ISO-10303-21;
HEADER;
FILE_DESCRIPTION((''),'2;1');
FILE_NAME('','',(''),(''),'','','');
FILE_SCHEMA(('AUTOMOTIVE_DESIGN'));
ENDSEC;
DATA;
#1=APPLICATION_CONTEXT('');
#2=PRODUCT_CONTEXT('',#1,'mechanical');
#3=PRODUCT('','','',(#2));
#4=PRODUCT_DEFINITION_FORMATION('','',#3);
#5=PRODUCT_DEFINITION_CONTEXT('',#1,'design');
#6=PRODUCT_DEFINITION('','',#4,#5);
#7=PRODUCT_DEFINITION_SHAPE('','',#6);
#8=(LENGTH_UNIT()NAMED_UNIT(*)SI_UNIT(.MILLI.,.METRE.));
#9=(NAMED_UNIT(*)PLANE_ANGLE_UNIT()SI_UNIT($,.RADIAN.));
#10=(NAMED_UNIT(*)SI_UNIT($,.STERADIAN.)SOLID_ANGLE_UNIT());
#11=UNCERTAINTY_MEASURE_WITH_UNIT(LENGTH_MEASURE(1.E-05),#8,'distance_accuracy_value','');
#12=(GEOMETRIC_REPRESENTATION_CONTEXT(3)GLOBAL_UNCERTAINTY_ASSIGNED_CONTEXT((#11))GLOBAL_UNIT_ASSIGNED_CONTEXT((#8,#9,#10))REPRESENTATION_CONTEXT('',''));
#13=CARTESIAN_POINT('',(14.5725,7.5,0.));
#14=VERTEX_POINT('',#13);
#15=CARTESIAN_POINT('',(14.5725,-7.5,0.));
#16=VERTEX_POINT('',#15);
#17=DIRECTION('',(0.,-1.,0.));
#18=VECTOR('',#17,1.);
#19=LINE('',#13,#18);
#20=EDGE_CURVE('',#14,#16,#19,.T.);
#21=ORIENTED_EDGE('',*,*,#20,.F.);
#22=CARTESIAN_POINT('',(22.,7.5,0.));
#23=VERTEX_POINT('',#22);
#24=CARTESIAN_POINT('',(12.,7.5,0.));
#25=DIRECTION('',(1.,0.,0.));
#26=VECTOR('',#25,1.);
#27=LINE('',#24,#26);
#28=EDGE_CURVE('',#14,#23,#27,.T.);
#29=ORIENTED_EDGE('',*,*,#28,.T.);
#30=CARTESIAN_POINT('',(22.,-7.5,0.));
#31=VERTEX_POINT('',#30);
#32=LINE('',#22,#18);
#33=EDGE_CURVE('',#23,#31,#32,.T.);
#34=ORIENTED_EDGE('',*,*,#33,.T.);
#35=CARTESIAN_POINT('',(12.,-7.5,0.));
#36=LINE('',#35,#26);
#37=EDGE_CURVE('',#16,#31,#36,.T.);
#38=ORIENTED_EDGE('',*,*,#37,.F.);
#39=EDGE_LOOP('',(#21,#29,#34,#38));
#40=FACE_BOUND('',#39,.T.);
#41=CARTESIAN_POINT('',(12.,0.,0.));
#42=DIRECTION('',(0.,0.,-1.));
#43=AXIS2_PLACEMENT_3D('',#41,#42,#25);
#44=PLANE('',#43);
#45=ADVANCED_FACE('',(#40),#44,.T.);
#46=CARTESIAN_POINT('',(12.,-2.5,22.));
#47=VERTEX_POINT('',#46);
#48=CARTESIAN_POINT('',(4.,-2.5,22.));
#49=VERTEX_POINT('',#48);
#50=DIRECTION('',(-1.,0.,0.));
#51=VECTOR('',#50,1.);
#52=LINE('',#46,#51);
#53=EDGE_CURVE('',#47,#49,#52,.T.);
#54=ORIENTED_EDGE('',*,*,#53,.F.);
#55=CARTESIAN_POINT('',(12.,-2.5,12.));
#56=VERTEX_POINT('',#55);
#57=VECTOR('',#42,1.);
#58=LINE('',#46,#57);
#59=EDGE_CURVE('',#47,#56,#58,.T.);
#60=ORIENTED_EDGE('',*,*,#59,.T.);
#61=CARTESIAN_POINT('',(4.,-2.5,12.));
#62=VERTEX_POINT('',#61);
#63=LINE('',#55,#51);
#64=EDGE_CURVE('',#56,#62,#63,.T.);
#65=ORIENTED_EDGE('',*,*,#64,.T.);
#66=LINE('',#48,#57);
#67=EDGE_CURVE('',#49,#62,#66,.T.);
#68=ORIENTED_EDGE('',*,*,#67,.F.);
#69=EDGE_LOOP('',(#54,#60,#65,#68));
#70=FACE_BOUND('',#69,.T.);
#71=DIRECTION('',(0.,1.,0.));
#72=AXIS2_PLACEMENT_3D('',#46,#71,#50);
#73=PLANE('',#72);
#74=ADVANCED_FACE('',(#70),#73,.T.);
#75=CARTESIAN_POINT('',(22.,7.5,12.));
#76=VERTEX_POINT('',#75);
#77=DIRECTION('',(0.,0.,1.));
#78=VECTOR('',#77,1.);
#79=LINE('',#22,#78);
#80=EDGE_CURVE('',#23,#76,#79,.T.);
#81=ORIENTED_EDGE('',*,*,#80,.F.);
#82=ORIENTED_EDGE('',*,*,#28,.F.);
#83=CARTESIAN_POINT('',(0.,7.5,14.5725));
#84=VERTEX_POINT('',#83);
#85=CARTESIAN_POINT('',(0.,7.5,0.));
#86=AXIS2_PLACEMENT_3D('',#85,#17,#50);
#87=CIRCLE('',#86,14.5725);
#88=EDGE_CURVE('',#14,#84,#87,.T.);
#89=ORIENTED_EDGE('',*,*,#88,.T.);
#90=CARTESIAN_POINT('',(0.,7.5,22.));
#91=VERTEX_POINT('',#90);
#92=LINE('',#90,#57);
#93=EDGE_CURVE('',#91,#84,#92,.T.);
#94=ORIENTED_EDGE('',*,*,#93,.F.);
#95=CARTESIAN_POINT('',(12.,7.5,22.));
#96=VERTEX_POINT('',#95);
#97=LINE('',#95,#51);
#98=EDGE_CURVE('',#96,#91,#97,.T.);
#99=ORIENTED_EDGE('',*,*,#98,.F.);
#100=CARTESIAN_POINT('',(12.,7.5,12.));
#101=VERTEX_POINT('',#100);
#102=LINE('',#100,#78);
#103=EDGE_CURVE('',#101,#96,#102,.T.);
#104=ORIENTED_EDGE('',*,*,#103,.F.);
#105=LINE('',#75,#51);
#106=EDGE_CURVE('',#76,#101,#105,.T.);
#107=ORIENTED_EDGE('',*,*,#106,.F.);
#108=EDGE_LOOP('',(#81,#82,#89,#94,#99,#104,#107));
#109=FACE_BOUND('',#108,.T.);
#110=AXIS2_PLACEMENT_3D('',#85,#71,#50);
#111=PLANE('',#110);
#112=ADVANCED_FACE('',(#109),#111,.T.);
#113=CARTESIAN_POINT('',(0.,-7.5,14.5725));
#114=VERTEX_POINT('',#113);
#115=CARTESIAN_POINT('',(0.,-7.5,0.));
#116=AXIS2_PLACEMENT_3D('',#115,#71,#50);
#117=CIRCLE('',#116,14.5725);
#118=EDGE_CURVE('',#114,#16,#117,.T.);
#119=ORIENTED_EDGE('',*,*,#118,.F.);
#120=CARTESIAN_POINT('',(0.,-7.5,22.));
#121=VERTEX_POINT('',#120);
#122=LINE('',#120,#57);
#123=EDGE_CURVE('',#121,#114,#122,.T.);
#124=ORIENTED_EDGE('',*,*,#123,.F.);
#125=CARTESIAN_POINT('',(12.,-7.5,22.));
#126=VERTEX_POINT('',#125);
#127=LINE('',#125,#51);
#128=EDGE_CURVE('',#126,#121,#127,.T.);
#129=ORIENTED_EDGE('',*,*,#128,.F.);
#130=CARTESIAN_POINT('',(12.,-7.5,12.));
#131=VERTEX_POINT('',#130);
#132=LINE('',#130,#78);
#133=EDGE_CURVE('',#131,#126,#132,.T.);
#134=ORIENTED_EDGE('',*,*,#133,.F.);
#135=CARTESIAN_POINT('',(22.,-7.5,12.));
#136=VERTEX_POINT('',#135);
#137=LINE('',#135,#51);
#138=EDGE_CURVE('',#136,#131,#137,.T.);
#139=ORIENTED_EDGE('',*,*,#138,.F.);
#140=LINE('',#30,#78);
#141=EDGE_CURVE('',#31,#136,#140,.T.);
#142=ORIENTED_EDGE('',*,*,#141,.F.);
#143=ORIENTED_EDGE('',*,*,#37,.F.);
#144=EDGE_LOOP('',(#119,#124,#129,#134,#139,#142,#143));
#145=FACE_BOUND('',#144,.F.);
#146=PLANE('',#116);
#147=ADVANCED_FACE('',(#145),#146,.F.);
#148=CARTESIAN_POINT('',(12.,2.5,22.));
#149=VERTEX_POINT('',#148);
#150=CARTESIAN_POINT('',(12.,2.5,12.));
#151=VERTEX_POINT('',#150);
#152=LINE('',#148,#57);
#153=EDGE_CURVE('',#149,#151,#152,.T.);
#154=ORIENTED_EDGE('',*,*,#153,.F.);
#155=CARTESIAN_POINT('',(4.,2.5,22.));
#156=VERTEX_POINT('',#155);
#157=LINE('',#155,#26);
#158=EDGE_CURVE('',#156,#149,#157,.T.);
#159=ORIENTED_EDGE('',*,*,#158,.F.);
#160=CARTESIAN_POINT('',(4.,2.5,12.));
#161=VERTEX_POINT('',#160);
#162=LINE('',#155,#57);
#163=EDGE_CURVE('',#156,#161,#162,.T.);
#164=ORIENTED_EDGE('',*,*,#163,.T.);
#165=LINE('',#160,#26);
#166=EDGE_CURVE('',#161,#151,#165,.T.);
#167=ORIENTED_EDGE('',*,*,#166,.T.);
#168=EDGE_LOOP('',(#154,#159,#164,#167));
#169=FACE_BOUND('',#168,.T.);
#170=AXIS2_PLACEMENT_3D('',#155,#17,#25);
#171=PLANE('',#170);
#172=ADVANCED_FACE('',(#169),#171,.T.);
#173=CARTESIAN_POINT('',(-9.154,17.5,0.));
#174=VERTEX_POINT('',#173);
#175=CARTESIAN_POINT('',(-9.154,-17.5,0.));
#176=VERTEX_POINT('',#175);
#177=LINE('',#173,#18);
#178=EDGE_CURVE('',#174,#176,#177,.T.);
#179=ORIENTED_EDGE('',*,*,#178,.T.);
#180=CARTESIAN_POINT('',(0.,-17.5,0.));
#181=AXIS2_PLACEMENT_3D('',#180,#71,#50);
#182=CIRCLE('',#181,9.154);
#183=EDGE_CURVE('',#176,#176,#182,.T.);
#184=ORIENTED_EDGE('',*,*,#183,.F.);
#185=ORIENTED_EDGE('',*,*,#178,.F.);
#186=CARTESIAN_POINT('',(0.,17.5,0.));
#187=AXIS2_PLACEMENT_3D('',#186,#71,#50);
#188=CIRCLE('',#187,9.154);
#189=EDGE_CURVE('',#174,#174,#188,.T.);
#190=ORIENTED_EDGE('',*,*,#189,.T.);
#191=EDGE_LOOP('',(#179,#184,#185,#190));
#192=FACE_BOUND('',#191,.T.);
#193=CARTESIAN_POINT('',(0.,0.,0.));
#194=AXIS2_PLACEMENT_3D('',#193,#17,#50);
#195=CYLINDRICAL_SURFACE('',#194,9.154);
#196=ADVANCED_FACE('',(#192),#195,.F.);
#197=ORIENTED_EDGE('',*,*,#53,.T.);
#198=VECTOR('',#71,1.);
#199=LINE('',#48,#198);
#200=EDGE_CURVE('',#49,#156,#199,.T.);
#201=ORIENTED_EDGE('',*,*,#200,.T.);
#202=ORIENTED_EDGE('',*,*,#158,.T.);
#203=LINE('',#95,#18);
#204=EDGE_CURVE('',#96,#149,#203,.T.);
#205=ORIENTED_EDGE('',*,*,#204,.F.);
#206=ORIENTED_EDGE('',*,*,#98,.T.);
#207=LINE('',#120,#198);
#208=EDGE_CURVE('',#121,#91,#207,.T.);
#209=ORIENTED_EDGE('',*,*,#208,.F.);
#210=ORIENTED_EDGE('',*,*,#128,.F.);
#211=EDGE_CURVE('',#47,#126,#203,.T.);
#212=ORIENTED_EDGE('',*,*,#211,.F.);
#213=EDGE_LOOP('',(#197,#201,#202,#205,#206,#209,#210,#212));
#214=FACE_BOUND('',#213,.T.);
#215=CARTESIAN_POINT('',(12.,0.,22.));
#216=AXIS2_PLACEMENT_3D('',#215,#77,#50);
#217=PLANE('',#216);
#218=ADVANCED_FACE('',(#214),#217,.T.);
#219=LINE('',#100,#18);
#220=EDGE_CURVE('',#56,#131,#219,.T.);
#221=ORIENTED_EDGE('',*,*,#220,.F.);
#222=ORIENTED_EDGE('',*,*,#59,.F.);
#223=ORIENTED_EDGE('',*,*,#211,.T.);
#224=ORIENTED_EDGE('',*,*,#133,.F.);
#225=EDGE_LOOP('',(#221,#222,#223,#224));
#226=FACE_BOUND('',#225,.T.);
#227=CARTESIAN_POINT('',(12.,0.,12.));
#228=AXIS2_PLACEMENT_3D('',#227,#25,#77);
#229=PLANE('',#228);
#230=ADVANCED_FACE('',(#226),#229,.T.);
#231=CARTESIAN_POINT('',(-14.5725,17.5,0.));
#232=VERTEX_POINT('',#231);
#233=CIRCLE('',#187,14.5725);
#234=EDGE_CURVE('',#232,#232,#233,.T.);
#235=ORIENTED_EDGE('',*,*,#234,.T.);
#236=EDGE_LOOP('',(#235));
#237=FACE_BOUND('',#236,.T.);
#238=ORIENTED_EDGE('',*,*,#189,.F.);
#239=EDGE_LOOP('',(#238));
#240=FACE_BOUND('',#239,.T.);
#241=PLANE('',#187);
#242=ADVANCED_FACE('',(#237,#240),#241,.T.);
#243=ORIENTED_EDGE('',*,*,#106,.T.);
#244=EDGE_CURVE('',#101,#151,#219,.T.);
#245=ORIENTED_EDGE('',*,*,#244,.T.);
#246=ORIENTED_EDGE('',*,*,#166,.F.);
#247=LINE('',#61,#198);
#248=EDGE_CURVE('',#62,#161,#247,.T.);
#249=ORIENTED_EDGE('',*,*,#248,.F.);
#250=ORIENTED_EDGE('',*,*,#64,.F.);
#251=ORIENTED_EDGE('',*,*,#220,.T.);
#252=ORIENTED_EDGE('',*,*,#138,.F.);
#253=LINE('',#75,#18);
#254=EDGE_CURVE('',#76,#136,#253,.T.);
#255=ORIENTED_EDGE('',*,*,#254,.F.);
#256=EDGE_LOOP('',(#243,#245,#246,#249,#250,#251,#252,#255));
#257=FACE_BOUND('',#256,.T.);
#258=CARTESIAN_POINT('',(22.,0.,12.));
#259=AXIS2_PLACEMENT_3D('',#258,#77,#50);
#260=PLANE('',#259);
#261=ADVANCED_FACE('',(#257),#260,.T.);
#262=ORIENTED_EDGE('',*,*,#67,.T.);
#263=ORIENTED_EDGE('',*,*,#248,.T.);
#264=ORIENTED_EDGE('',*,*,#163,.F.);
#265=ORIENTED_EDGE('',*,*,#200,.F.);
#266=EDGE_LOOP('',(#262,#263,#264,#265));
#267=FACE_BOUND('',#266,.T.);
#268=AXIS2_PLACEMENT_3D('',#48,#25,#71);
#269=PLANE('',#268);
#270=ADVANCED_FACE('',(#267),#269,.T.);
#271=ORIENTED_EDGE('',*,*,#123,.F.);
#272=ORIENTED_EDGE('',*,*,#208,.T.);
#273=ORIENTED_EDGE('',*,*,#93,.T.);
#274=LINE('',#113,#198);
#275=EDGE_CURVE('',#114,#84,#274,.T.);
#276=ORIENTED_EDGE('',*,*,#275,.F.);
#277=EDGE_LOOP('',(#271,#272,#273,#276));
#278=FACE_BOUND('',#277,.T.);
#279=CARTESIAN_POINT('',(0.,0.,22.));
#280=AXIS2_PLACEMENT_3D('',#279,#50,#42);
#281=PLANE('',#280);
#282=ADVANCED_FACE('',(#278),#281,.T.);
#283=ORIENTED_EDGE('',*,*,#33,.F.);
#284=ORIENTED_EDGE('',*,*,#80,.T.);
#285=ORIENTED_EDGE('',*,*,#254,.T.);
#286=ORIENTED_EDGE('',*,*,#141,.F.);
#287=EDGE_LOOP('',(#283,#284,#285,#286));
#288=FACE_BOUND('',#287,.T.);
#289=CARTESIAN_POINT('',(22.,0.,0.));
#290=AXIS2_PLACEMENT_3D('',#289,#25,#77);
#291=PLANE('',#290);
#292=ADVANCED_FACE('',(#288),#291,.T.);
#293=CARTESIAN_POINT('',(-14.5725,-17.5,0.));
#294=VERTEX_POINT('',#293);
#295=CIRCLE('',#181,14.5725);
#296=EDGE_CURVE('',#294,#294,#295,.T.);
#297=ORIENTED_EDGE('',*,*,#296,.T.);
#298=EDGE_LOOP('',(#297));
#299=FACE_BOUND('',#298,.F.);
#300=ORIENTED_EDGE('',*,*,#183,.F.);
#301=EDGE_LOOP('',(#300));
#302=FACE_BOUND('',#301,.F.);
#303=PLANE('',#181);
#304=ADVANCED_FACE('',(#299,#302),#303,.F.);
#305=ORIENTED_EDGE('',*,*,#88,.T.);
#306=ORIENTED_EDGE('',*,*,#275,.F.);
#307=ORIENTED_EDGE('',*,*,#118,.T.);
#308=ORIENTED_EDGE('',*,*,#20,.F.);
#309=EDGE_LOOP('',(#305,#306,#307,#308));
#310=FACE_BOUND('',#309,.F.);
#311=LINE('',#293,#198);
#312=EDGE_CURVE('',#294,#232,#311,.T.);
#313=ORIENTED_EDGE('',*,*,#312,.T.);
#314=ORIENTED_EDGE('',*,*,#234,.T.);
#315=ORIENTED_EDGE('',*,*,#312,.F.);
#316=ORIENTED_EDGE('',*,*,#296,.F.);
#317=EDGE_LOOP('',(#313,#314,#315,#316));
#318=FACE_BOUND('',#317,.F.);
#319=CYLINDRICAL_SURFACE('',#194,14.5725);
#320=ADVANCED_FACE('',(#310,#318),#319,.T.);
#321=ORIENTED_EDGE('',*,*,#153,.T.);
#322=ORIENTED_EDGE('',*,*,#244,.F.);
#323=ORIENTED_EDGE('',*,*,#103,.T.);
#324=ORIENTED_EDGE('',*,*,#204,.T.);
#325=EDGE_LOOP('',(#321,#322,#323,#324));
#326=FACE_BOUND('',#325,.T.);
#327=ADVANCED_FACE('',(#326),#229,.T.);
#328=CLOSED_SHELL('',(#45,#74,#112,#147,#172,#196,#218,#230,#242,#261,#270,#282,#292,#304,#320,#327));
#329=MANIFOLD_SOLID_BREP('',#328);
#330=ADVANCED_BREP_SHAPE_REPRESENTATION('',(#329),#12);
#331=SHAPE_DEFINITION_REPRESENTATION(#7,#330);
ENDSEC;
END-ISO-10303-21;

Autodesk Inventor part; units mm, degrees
ref_plane "YZ Plane" through (0, 0, 0) normal (1, 0, 0) x (0, 1, 0)
ref_plane "XZ Plane" through (0, 0, 0) normal (0, 1, 0) x (-1, 0, 0)
ref_plane "XY Plane" through (0, 0, 0) normal (0, 0, 1) x (1, 0, 0)
sketch "Boceto1" plane through (0, 0, 0) normal (0, 1, 0) x (-1, 0, 0)
  circle A0 centre (0, 0) radius 9.154
  circle A1 centre (0, 0) radius 14.5725
extrude "Extrusión1" add sketch "Boceto1" along normal mid plane 35
sketch "Boceto2" plane through (0, 0, 0) normal (0, 1, 0) x (-1, 0, 0)
  line L0 (-12, 0) -> (-22, 0)
  line L1 (-22, 0) -> (-22, 12)
  line L2 (-22, 12) -> (-12, 12)
  line L3 (-12, 12) -> (-12, 22)
  line L4 (-12, 22) -> (0, 22)
  line L5 (0, 22) -> (0, 12)
  arc A0 (0, 12) -> (-12, 0) centre (0, 0) ccw
  line L6 (0, 0) -> (0, 23.3606) construction
  line L7 (0, 0) -> (-38.6088, 0) construction
  point P0 (0, 17)
  dimension "d4" = 10
  dimension "d5" = 12
  dimension "d6" = 10
  dimension "d7" = 12
  dimension "d10" = 10
  dimension "d11" = 10
extrude "Extrusión2" add sketch "Boceto2" along normal mid plane 15
sketch "Boceto3" plane through (0, 7.5, 22) normal (0, 0, 1) x (1, 0, 0)
  line L0 (4, -5) -> (12, -5)
  line L1 (12, -5) -> (12, -10)
  line L2 (12, -10) -> (4, -10)
  line L3 (4, -10) -> (4, -5)
  line L4 (12, -15) -> (12, 0) projected
  line L5 (12, -15) -> (0, -15) projected
  point P0 (0, -7.5)
  dimension "d8" = 5
  dimension "d9" = 5
  dimension "d14" = 8
extrude "Extrusión3" cut sketch "Boceto3" against normal blind 10
sketch "Boceto5" plane through (12, 7.5, 12) normal (0, 0, 1) x (1, 0, 0)
  point P0 (-12, -7.5)
properties part number "Sujetador"
